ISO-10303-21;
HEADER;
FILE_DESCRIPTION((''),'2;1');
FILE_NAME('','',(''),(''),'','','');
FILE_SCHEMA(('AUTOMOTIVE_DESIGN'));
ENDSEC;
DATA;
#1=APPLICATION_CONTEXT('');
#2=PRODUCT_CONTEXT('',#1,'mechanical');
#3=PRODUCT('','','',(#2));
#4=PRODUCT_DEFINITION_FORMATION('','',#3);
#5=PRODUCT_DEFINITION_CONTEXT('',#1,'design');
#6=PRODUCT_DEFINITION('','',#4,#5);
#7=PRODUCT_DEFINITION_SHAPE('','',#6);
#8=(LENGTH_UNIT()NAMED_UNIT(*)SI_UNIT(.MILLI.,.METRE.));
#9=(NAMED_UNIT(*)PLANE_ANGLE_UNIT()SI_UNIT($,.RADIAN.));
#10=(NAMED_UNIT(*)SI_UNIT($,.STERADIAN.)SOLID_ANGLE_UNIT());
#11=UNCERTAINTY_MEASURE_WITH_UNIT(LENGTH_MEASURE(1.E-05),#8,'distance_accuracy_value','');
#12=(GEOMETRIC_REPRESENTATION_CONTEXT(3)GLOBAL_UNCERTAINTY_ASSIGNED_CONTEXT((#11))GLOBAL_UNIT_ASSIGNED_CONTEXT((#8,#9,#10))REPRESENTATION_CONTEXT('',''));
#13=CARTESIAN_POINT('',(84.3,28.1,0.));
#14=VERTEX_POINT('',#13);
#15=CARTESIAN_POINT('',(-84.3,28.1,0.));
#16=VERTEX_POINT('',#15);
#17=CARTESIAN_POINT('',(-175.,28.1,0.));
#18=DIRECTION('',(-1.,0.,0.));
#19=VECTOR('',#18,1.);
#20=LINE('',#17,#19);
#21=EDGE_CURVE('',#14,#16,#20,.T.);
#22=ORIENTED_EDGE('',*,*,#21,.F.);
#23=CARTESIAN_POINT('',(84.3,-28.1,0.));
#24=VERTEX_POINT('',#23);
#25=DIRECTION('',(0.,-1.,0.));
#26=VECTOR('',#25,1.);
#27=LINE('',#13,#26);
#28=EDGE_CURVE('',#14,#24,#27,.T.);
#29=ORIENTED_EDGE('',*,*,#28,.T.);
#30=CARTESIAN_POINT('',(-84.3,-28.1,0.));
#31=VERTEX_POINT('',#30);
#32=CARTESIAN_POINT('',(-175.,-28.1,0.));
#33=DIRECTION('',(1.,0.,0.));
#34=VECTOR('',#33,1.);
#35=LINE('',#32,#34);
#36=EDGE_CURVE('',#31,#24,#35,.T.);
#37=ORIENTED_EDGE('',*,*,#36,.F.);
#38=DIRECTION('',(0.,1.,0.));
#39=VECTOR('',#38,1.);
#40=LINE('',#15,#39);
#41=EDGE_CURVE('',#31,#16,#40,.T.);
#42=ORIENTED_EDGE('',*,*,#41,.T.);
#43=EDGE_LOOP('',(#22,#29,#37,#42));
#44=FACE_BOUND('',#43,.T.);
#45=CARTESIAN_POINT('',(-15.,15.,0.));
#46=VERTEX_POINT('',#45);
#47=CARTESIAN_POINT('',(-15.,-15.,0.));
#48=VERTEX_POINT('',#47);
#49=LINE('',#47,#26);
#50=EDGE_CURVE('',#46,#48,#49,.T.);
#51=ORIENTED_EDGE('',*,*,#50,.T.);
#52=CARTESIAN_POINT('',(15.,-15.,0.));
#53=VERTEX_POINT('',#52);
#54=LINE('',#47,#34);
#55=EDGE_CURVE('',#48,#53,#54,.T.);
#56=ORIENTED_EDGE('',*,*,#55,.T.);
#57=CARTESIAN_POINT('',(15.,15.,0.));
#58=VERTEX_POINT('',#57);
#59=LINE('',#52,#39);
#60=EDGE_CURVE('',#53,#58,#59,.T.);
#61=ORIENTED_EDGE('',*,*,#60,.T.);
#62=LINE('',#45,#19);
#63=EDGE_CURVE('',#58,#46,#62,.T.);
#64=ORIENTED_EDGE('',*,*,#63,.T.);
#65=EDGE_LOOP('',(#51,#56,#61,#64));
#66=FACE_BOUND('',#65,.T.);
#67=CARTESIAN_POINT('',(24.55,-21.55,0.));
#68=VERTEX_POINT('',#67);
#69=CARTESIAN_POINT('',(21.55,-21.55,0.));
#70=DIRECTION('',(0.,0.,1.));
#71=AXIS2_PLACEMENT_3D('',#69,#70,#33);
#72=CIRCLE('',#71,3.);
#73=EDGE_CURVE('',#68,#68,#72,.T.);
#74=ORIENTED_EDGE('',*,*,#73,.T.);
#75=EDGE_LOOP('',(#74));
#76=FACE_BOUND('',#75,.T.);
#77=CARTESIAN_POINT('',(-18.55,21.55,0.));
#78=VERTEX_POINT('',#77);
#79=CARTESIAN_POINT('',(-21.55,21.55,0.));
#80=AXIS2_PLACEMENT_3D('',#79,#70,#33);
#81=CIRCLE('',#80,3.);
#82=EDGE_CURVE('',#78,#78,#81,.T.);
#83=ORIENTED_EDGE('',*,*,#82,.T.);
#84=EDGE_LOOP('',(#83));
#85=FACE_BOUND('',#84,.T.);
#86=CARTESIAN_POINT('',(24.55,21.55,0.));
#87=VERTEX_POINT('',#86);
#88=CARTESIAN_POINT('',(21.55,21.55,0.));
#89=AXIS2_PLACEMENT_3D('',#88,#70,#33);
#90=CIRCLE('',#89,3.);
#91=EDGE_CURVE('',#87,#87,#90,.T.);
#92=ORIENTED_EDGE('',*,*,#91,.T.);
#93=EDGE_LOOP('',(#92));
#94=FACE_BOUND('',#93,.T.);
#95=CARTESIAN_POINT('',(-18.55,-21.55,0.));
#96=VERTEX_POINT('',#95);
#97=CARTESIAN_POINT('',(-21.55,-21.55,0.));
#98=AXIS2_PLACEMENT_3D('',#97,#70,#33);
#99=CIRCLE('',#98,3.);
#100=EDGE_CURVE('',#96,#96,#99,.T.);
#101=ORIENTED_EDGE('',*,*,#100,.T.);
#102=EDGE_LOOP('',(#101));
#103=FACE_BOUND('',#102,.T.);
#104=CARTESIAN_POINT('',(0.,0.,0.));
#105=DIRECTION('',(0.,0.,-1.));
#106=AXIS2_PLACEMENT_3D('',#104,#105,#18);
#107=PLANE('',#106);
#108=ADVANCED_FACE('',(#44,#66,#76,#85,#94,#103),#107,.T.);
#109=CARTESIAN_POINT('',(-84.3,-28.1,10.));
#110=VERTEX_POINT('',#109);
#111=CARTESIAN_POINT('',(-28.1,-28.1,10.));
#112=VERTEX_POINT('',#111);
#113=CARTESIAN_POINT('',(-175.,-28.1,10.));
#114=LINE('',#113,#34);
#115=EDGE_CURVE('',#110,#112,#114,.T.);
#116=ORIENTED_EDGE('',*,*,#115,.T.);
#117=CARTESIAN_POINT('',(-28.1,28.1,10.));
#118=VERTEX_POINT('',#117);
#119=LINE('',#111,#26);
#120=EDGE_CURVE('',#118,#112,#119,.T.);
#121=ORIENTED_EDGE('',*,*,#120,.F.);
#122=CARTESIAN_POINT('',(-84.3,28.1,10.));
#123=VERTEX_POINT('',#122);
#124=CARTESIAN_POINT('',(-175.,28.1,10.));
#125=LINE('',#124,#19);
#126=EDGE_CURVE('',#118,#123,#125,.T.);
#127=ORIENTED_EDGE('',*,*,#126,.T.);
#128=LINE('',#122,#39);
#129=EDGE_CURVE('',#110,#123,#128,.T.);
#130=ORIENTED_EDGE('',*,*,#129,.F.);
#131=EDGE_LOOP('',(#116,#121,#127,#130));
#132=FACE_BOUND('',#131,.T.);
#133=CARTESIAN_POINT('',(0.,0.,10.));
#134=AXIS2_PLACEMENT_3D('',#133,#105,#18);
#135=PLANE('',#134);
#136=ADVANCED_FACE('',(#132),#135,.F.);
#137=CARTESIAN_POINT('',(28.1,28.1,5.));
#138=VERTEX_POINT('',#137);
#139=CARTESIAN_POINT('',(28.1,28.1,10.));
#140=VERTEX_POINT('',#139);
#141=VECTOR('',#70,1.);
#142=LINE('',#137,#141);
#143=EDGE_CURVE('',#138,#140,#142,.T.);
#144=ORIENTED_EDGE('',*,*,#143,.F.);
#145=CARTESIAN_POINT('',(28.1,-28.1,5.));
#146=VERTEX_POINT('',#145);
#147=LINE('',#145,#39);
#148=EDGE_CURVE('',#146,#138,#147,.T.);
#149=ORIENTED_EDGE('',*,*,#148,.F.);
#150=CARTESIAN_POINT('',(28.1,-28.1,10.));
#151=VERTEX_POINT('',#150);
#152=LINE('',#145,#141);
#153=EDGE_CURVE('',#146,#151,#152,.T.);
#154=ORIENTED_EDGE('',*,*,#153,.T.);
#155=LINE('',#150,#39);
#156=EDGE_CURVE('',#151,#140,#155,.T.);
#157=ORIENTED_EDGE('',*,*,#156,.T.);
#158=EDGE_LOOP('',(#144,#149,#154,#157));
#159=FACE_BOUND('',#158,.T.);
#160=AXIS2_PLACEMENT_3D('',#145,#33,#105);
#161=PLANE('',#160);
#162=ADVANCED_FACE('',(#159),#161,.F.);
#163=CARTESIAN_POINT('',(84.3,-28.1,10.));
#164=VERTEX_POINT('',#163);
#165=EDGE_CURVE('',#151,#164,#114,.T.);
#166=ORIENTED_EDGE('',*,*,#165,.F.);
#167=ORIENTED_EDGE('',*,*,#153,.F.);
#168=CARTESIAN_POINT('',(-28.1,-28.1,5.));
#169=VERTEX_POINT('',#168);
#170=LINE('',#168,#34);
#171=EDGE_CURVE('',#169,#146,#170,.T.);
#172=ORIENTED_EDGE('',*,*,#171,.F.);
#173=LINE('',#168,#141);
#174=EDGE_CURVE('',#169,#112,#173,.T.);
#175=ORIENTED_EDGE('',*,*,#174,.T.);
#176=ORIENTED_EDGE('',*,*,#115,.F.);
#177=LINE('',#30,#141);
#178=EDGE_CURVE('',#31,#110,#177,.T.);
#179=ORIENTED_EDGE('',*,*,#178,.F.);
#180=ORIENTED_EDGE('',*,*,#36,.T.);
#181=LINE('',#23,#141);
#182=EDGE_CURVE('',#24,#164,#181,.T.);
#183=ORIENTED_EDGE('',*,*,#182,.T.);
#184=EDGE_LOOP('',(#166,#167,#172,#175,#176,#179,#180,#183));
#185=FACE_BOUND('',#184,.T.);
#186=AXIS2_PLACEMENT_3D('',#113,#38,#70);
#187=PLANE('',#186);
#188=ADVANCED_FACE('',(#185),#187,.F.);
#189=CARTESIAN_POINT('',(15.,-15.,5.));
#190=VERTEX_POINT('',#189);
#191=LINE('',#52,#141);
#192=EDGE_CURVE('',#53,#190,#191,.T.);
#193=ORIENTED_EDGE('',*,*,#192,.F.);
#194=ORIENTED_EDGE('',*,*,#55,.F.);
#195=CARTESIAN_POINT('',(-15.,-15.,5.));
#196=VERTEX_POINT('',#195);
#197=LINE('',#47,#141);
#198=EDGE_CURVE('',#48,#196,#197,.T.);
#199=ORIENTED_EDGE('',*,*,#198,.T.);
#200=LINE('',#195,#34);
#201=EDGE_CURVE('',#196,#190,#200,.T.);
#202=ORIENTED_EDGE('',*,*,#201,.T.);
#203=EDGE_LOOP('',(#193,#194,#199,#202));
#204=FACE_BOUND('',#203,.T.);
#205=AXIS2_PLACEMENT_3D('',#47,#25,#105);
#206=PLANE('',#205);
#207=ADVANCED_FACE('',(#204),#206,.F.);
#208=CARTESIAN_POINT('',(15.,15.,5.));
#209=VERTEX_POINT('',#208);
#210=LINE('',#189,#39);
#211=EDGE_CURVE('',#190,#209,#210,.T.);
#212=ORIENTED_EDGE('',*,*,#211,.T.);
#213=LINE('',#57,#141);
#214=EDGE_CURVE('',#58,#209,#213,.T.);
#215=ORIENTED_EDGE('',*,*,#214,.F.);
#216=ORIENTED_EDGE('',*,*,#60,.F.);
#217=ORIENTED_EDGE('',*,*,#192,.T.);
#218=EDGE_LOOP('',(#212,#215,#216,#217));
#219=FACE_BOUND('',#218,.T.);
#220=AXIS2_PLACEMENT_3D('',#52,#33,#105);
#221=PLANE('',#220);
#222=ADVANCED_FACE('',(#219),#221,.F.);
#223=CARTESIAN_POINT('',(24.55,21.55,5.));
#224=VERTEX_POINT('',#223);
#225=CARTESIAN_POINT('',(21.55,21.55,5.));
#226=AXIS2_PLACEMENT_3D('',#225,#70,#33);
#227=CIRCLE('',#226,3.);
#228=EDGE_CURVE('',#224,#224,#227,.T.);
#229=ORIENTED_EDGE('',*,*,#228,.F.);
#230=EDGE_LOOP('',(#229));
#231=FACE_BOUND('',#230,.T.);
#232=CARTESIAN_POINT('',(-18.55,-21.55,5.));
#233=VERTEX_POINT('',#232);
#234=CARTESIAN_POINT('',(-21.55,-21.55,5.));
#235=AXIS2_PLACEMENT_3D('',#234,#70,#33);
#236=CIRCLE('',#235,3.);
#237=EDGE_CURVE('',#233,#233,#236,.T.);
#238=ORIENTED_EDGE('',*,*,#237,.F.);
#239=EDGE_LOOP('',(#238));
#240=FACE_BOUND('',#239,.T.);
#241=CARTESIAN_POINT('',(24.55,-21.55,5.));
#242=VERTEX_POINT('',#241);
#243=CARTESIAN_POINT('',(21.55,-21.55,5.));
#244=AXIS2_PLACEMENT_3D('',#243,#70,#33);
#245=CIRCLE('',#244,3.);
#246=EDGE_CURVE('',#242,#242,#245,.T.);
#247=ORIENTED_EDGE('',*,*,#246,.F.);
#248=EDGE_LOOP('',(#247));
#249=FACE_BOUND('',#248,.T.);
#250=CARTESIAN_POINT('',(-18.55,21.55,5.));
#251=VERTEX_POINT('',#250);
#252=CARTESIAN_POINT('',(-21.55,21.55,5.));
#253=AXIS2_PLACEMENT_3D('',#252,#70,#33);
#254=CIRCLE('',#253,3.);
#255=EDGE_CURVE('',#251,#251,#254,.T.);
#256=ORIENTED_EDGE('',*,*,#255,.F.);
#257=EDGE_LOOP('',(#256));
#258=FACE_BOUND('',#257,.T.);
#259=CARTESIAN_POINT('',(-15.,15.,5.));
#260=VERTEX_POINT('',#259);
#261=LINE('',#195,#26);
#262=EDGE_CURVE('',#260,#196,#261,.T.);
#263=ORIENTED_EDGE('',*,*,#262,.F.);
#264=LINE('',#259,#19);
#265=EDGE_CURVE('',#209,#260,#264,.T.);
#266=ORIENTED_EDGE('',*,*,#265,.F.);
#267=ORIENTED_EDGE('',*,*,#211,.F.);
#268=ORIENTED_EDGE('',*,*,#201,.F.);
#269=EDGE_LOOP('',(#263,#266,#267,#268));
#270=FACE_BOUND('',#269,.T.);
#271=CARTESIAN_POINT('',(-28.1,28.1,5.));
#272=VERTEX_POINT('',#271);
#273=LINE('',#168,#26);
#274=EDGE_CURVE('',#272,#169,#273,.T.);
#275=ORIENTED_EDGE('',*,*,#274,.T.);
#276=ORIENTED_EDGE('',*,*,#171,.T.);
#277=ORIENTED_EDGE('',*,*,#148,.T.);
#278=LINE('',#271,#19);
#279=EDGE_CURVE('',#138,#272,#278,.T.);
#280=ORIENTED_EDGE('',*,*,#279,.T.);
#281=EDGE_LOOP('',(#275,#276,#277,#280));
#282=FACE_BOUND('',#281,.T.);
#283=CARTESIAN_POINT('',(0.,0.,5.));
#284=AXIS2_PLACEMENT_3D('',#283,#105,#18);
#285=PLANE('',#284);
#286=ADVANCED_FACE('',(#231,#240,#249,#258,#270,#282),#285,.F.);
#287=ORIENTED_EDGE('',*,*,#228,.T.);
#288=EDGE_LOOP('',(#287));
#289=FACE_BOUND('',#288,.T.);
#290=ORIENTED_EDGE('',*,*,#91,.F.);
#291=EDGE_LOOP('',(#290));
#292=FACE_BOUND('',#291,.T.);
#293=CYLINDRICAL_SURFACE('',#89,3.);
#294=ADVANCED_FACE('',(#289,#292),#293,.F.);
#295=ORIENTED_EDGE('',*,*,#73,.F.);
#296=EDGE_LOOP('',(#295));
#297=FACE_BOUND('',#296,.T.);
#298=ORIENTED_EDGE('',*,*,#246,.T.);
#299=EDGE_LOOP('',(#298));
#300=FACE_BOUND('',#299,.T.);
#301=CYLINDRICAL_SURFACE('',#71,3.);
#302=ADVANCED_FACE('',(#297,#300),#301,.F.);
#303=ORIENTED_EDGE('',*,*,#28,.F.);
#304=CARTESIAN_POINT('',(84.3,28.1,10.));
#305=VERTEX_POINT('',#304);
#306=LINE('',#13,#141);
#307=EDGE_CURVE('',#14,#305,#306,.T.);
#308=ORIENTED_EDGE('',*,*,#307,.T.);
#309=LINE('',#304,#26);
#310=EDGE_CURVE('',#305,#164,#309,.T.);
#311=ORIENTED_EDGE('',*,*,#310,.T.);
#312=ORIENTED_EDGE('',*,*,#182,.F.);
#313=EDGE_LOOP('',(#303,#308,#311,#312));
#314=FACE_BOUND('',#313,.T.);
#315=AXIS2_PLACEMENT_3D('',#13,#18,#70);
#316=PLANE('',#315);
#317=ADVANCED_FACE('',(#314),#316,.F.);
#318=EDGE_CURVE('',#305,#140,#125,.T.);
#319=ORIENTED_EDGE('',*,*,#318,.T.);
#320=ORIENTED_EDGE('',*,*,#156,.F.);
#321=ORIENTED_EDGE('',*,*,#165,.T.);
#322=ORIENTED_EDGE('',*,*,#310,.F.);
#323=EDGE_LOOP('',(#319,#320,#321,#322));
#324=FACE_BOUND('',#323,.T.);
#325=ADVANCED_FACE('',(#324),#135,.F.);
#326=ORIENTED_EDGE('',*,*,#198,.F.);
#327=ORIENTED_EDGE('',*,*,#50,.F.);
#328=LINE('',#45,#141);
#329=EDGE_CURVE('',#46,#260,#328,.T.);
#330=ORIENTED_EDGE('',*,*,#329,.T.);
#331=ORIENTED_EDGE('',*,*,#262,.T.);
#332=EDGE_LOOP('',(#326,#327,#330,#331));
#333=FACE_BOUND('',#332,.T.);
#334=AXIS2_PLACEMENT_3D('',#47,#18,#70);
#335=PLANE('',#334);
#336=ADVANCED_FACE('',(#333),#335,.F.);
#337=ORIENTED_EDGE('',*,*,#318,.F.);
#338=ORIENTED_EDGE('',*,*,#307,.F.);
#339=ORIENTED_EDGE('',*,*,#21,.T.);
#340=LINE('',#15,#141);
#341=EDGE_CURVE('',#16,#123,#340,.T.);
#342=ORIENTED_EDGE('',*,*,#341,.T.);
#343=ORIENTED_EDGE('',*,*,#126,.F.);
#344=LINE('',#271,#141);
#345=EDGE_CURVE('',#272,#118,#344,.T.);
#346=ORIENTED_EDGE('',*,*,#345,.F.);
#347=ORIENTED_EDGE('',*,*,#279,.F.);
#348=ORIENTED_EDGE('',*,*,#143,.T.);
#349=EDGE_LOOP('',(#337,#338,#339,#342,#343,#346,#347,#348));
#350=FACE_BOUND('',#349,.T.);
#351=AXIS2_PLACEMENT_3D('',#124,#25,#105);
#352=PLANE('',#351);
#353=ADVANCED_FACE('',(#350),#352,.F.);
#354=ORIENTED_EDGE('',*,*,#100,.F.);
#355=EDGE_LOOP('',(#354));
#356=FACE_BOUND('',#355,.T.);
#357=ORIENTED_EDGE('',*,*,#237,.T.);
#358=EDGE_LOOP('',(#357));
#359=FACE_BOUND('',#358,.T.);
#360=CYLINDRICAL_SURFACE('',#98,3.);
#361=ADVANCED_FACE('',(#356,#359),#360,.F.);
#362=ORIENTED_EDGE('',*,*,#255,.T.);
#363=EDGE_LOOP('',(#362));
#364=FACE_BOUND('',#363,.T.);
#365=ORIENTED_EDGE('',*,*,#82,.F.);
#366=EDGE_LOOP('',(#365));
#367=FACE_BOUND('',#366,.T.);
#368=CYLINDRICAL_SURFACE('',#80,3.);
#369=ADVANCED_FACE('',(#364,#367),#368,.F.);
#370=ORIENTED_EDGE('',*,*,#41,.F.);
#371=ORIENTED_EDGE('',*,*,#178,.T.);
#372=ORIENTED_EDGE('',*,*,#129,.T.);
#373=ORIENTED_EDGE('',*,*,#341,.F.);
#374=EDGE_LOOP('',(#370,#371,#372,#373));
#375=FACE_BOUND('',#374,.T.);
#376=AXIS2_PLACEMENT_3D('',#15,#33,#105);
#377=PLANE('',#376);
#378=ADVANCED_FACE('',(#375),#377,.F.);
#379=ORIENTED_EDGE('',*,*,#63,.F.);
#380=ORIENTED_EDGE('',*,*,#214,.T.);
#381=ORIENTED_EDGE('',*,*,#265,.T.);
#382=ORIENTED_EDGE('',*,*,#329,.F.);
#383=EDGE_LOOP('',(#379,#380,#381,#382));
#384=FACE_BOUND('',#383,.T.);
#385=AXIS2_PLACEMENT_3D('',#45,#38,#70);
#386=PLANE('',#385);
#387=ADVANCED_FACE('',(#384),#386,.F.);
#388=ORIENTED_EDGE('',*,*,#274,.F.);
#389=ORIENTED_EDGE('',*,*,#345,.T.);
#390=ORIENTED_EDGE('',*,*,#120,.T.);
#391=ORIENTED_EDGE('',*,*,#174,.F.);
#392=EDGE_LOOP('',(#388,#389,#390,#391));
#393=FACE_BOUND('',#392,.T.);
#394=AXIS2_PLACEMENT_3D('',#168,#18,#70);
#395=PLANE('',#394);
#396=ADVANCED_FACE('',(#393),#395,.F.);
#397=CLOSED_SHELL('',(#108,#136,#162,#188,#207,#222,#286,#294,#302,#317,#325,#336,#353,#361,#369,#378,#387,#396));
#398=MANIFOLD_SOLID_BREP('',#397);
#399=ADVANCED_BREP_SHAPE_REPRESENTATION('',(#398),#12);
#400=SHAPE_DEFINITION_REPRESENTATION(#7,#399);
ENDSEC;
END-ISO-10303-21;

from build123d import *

# Parameters (mm, degrees)
SKETCH1_W           = 350
SKETCH1_H           = 56.2
BOSS_EXTRUDE1_DEPTH = 10
SKETCH2_W           = 56.2
SKETCH2_H           = 56.2
CUT_EXTRUDE1_DEPTH  = 5
SKETCH3_W           = 10
SKETCH3_H           = 56.2
BOSS_EXTRUDE2_DEPTH = 10
SKETCH4_W           = 10
SKETCH4_H           = 56.2
BOSS_EXTRUDE3_DEPTH = 10
CUT_EXTRUDE2_DEPTH  = 56.2
SKETCH6_W           = 10
SKETCH6_H           = 56.2
BOSS_EXTRUDE4_DEPTH = 10
SKETCH7_W           = 10
SKETCH7_H           = 56.2
BOSS_EXTRUDE5_DEPTH = 10
CUT_EXTRUDE3_DEPTH  = 56.2
SKETCH9_W           = 30
SKETCH9_H           = 30
CUT_EXTRUDE4_DEPTH  = 5
SKETCH10_R          = 3
CUT_EXTRUDE5_DEPTH  = 5
SKETCH11_W          = 2.5
SKETCH11_H          = 15
CUT_EXTRUDE6_DEPTH  = 7
SKETCH12_W          = 2.5
SKETCH12_H          = 15
CUT_EXTRUDE7_DEPTH  = 7
SKETCH13_W          = 100.7
SKETCH13_H          = 56.2
CUT_EXTRUDE9_DEPTH  = 10


with BuildPart() as part:
    # Sketch1 → Boss-Extrude1 (new body)
    with BuildSketch(Plane.XY):
        Rectangle(SKETCH1_W, SKETCH1_H)
    extrude(amount=BOSS_EXTRUDE1_DEPTH)

    # Sketch2 → Cut-Extrude1 (cut)
    with BuildSketch(Plane.XY.offset(10)):
        Rectangle(SKETCH2_W, SKETCH2_H)
    extrude(amount=-CUT_EXTRUDE1_DEPTH, mode=Mode.SUBTRACT)

    # Sketch3 → Boss-Extrude2 (add)
    with BuildSketch(Plane(origin=(175, 0, 0), x_dir=(0, 0, -1), z_dir=(1, 0, 0))):
        with Locations((-5, 0)):
            Rectangle(SKETCH3_W, SKETCH3_H)
    extrude(amount=BOSS_EXTRUDE2_DEPTH)

    # Sketch4 → Boss-Extrude3 (add)
    with BuildSketch(Plane.XY.offset(10)):
        with Locations((180, 0)):
            Rectangle(SKETCH4_W, SKETCH4_H)
    extrude(amount=BOSS_EXTRUDE3_DEPTH)

    # Sketch5 → Cut-Extrude2 (cut)
    with BuildSketch(Plane(origin=(0, 28.1, 0), x_dir=(1, 0, 0), z_dir=(0, 1, 0))):
        Polygon((175, -20), (185, -10), (185, -20), align=None)
    extrude(amount=-CUT_EXTRUDE2_DEPTH, mode=Mode.SUBTRACT)

    # Sketch6 → Boss-Extrude4 (add)
    with BuildSketch(Plane.ZY.offset(175)):
        with Locations((5, 0)):
            Rectangle(SKETCH6_W, SKETCH6_H)
    extrude(amount=BOSS_EXTRUDE4_DEPTH)

    # Sketch7 → Boss-Extrude5 (add)
    with BuildSketch(Plane.XY.offset(10)):
        with Locations((-180, 0)):
            Rectangle(SKETCH7_W, SKETCH7_H)
    extrude(amount=BOSS_EXTRUDE5_DEPTH)

    # Sketch8 → Cut-Extrude3 (cut)
    with BuildSketch(Plane(origin=(0, 28.1, 0), x_dir=(1, 0, 0), z_dir=(0, 1, 0))):
        Polygon((-175, -20), (-185, -10), (-185, -20), align=None)
    extrude(amount=-CUT_EXTRUDE3_DEPTH, mode=Mode.SUBTRACT)

    # Sketch9 → Cut-Extrude4 (cut)
    with BuildSketch(Plane.XY.offset(5)):
        Rectangle(SKETCH9_W, SKETCH9_H)
    extrude(amount=-CUT_EXTRUDE4_DEPTH, mode=Mode.SUBTRACT)

    # Sketch10 → Cut-Extrude5 (cut)
    with BuildSketch(Plane.XY.offset(5)):
        with Locations((21.55, 21.55)):
            Circle(SKETCH10_R)
        with Locations((-21.55, -21.55)):
            Circle(SKETCH10_R)
        with Locations((-21.55, 21.55)):
            Circle(SKETCH10_R)
        with Locations((21.55, -21.55)):
            Circle(SKETCH10_R)
    extrude(amount=-CUT_EXTRUDE5_DEPTH, mode=Mode.SUBTRACT)

    # Sketch11 → Cut-Extrude6 (cut)
    with BuildSketch(Plane(origin=(97.5, 0, 97.5), x_dir=(0.7071067811865478, 0, -0.7071067811865472), z_dir=(0.7071067811865472, 0, 0.7071067811865478))):
        with Locations((116.672618896, 0)):
            Rectangle(SKETCH11_W, SKETCH11_H)
    extrude(amount=-CUT_EXTRUDE6_DEPTH, mode=Mode.SUBTRACT)

    # Sketch12 → Cut-Extrude7 (cut)
    with BuildSketch(Plane(origin=(-97.5, 0, 97.5), x_dir=(0.7071067811865478, 0, 0.7071067811865472), z_dir=(-0.7071067811865472, 0, 0.7071067811865478))):
        with Locations((-116.672618896, 0)):
            Rectangle(SKETCH12_W, SKETCH12_H)
    extrude(amount=-CUT_EXTRUDE7_DEPTH, mode=Mode.SUBTRACT)

    # Sketch13 → Cut-Extrude9 (cut)
    with BuildSketch(Plane.XY.offset(10)):
        with Locations((-134.65, 0)):
            Rectangle(SKETCH13_W, SKETCH13_H)
        with Locations((134.65, 0)):
            Rectangle(SKETCH13_W, SKETCH13_H)
    extrude(amount=-CUT_EXTRUDE9_DEPTH, mode=Mode.SUBTRACT)


with BuildPart() as body_2:
    # of the pieces the cut leaves, the one that is kept (cut_extrude9_keep)
    add(part.part.solids().sort_by_distance((-84.3, -28.1, 0))[0])


solid = body_2.part
